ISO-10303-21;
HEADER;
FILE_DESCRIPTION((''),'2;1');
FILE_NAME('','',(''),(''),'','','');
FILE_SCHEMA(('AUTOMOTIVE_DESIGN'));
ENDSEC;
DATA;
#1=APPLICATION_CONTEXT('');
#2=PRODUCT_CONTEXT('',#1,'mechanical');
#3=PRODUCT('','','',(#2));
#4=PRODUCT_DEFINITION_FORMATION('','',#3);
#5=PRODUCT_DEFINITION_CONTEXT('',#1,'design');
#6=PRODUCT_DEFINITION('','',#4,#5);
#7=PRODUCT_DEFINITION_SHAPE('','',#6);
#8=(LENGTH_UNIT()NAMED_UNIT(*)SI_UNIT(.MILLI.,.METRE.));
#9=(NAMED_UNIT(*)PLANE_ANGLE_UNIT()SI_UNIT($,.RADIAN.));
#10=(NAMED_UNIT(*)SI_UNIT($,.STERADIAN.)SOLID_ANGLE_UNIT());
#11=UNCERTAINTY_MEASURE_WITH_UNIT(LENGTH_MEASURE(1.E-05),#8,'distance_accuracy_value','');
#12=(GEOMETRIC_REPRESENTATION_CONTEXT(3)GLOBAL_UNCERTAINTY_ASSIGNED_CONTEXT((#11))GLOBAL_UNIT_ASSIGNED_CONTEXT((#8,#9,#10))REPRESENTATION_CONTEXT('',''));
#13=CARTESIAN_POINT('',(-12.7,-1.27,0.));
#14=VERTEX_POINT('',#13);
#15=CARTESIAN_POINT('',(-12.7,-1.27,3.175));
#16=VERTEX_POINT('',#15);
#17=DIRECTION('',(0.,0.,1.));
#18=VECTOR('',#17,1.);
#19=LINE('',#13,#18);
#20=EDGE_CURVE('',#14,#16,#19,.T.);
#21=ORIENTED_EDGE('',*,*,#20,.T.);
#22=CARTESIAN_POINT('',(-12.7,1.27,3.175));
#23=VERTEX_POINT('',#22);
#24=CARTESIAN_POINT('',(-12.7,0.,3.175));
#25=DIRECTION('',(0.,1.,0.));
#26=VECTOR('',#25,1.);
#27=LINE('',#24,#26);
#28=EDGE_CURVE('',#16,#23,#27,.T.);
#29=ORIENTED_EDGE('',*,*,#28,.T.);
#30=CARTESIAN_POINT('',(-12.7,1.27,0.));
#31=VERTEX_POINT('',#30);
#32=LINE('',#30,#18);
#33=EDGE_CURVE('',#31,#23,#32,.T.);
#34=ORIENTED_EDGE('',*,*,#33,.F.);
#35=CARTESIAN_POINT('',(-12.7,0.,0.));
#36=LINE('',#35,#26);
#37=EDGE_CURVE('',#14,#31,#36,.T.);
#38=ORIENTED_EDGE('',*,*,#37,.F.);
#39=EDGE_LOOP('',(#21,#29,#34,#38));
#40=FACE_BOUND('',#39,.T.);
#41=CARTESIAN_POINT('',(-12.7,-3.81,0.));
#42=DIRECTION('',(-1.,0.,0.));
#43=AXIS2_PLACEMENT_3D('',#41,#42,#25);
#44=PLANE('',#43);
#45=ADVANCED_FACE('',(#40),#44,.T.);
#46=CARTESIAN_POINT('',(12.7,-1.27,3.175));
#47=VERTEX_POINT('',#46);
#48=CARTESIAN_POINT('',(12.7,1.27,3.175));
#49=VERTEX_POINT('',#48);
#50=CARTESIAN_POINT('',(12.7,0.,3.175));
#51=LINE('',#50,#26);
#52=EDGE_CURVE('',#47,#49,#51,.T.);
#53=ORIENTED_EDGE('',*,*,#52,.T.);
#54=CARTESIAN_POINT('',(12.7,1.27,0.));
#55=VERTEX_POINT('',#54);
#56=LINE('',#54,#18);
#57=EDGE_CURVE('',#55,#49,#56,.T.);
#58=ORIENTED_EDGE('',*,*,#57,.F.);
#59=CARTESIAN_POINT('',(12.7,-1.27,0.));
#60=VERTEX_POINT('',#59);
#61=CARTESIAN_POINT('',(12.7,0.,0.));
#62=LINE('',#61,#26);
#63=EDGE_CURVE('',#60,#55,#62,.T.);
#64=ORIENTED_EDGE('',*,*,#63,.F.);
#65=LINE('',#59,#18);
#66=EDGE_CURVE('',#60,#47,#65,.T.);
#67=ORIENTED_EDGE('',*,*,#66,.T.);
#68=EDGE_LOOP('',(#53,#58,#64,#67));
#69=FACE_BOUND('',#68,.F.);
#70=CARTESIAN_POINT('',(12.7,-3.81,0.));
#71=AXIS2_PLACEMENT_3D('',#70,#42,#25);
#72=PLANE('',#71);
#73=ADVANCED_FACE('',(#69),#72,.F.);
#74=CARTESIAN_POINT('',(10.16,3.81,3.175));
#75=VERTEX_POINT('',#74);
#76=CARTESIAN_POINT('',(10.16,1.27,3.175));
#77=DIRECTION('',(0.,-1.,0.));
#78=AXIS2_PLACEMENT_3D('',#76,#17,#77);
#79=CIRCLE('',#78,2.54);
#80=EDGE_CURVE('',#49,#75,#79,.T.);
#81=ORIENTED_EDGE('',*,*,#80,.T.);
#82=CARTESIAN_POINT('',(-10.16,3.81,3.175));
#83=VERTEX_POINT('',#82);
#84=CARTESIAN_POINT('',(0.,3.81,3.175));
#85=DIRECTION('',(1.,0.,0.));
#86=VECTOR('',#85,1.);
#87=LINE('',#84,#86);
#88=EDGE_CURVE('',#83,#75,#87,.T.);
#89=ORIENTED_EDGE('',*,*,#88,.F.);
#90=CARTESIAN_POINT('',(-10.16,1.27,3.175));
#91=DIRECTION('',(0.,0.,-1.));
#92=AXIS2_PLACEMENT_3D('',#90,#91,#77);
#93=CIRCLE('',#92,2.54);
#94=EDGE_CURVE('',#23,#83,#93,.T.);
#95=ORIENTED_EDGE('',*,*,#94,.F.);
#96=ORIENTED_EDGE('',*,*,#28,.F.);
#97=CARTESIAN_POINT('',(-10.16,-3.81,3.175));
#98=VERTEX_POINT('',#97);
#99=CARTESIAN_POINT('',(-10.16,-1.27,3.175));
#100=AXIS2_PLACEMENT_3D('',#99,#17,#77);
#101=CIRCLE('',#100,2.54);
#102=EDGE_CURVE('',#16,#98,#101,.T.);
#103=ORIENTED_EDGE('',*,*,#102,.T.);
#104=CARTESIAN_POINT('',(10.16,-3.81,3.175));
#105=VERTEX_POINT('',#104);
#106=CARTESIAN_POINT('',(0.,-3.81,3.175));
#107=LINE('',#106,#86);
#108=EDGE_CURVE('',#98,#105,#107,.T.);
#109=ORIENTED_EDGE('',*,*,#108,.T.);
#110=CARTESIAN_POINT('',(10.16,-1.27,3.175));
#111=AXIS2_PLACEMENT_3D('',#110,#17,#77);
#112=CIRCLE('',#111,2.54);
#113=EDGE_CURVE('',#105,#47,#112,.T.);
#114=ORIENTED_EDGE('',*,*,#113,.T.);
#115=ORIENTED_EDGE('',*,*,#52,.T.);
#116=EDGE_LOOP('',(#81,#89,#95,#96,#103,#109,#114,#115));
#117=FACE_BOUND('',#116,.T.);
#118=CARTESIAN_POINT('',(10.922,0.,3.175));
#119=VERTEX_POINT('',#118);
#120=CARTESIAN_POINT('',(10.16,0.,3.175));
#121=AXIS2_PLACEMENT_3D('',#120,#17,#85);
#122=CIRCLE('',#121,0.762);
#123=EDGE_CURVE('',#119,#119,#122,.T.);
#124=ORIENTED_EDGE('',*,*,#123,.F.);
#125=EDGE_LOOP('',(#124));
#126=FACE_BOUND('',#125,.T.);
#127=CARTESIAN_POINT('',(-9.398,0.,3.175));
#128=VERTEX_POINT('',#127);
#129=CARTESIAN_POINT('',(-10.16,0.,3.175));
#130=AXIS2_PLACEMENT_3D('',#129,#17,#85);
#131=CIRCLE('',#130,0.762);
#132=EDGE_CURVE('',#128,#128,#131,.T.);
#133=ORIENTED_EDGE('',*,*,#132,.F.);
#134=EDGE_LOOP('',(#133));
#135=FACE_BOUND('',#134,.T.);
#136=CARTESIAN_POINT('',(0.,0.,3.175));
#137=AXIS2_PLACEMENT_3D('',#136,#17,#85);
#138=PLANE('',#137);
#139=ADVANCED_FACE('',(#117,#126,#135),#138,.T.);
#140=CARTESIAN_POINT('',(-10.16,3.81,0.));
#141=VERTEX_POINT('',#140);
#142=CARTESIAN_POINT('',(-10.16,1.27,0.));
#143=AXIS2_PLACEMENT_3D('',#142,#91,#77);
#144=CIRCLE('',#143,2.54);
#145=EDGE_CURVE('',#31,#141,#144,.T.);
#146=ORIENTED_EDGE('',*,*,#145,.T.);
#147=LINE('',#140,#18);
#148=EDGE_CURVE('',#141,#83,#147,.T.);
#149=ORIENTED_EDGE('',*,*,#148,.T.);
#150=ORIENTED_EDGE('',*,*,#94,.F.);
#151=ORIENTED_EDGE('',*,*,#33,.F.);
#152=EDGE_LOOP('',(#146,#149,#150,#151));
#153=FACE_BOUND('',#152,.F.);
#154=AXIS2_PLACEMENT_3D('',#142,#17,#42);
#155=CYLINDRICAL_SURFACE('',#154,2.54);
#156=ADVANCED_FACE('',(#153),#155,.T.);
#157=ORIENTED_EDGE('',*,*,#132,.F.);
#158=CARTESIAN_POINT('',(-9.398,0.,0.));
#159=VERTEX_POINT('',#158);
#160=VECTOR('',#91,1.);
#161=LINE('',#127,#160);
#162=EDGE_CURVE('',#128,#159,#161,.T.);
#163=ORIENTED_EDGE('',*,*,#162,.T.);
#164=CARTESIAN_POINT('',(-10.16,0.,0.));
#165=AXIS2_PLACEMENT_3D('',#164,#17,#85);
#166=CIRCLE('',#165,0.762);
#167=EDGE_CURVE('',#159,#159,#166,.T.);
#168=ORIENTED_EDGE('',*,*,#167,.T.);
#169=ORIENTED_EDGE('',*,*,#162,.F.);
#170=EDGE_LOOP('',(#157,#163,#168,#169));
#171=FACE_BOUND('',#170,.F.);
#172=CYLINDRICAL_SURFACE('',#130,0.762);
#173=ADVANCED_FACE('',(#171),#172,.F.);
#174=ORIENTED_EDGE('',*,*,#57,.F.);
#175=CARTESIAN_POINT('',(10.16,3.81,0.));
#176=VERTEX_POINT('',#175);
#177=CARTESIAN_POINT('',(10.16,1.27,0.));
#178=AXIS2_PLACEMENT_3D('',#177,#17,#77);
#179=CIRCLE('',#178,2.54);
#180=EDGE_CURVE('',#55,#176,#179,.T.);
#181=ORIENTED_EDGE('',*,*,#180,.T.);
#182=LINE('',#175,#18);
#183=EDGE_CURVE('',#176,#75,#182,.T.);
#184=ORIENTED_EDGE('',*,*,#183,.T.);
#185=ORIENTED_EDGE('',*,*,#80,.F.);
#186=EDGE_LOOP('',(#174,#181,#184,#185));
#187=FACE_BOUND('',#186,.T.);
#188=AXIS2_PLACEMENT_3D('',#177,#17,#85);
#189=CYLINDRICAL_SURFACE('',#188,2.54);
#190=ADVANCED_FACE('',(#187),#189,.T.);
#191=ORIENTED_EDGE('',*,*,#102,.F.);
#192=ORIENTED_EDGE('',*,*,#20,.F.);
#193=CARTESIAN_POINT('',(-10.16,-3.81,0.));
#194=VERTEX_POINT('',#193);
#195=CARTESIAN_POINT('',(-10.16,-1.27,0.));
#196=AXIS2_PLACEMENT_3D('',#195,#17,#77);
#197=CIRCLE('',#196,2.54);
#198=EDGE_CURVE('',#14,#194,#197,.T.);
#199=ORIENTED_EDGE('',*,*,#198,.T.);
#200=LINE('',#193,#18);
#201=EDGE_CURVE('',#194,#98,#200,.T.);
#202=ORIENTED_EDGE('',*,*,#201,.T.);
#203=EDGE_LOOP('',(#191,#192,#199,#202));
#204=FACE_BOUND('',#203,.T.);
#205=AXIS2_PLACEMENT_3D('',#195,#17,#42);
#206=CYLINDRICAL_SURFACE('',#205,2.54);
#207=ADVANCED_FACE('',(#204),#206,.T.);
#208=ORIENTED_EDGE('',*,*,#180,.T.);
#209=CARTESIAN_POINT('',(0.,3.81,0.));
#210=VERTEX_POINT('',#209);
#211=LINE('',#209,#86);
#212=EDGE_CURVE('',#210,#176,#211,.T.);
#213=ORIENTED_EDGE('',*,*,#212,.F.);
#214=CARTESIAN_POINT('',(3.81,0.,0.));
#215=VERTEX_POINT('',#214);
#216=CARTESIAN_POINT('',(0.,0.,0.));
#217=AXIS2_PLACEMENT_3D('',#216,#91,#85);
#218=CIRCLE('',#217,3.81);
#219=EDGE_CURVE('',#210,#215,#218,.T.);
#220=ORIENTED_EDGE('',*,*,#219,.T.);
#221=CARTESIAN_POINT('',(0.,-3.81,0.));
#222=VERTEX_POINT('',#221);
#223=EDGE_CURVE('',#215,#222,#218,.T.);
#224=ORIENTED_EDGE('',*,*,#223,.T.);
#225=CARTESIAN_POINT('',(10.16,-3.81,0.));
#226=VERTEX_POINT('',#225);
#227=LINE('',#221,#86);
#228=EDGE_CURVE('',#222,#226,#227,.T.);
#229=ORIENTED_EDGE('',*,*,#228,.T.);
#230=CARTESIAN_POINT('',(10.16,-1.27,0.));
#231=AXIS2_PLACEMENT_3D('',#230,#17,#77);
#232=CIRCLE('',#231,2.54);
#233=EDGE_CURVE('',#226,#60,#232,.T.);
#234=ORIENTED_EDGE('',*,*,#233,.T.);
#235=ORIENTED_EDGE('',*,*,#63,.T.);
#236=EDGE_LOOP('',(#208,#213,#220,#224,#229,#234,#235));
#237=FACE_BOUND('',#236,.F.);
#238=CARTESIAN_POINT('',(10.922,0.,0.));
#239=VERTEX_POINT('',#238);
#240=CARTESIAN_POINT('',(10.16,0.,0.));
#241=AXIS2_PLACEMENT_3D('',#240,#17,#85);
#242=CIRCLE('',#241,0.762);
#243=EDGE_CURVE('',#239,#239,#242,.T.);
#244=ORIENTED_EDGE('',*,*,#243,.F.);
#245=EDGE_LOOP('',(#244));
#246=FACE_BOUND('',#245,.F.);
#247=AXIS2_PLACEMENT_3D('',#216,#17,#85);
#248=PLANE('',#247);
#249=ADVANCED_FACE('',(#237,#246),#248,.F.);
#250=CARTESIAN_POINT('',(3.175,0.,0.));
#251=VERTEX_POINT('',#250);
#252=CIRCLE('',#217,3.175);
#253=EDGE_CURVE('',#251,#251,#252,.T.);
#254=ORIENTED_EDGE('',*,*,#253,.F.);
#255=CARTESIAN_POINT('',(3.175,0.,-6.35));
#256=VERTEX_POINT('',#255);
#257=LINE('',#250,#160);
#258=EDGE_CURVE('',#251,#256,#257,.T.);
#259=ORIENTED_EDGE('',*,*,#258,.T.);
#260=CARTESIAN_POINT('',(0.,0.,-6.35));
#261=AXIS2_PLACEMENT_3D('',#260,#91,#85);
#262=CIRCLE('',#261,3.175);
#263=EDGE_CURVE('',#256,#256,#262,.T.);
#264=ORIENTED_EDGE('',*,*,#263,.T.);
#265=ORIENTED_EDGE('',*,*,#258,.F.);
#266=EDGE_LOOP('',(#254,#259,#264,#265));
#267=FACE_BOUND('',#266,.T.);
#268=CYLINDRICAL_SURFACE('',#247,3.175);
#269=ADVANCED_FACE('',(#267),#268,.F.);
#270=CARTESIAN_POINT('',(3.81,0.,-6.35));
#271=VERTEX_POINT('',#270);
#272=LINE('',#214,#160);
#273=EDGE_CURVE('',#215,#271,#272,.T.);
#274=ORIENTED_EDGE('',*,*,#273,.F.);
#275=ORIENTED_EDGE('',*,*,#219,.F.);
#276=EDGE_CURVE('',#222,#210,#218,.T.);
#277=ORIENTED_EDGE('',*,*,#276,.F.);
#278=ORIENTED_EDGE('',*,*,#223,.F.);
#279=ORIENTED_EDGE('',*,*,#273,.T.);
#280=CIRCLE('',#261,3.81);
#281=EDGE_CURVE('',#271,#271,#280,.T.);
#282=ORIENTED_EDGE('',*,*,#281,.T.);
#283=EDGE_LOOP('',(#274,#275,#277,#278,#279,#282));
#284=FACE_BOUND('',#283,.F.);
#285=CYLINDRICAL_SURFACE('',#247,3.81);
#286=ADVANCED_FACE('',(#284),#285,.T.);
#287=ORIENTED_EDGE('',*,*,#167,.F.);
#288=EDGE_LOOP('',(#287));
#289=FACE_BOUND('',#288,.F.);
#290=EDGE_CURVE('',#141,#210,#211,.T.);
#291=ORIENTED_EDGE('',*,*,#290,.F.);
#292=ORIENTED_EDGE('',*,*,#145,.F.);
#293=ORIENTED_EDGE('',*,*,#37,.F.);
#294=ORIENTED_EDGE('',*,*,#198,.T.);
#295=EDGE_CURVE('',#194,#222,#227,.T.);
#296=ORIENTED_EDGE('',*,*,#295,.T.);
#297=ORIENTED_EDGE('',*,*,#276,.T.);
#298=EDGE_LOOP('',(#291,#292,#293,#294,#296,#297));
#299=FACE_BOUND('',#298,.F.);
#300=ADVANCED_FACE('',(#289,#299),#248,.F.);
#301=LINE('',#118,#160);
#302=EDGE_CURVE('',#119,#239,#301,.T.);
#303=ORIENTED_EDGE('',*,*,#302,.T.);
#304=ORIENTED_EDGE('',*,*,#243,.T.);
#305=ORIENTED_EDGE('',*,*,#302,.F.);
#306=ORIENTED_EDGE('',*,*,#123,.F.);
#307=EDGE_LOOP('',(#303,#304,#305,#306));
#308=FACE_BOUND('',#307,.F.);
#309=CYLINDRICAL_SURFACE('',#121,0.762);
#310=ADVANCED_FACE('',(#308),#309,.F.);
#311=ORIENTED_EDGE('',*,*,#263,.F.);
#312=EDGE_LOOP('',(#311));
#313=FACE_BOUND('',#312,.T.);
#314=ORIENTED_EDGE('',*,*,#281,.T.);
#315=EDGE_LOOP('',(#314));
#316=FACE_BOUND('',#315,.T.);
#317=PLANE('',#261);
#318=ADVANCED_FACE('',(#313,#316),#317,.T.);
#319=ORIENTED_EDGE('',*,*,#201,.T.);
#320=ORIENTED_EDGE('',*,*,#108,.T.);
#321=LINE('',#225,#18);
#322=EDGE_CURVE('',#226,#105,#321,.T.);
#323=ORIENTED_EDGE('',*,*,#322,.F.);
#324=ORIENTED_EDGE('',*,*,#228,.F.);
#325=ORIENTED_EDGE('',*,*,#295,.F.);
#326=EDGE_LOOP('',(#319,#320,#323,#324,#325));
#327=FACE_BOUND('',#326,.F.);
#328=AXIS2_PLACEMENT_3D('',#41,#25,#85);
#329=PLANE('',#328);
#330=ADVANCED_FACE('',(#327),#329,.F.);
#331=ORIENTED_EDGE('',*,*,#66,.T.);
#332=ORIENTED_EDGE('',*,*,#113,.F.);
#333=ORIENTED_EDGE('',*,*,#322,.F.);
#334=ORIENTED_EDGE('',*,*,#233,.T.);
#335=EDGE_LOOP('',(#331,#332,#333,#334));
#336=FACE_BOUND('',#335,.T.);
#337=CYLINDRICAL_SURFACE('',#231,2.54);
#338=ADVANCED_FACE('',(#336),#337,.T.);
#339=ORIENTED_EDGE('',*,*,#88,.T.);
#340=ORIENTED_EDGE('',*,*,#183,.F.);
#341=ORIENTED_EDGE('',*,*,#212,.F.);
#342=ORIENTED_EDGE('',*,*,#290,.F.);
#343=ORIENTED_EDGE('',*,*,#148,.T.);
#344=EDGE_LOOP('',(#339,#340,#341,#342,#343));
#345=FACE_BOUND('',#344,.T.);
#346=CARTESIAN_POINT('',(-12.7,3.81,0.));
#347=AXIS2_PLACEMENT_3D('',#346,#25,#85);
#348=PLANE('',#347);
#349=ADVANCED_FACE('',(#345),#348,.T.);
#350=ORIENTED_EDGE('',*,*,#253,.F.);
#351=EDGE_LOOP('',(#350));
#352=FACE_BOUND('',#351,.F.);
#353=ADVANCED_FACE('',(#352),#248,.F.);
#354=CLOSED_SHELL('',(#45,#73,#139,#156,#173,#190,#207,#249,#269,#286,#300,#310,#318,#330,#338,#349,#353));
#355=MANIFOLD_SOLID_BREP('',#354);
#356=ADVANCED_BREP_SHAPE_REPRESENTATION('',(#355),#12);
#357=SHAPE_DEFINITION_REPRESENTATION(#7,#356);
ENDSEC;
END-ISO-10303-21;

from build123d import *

# Parameters (mm, degrees)
F0_W     = 25.4
F0_H     = 7.62
F1_DEPTH = 3.175
F2_R     = 2.54
F3_R     = 3.81
F3_R_2   = 3.175
F4_DEPTH = 6.35
F5_R     = 0.762
F6_DEPTH = 9.526


with BuildPart() as f1:
    # F0 (on Top) → F1 (new body)
    with BuildSketch(Plane.XY):
        Rectangle(F0_W, F0_H)
    extrude(amount=F1_DEPTH)

    # F2
    f2_edges = [f1.edges().sort_by_distance(p)[0] for p in [
        (-12.7, -3.81, 1.5875),
        (12.7, -3.81, 1.5875),
        (12.7, 3.81, 1.5875),
        (-12.7, 3.81, 1.5875),
    ]]
    fillet(f2_edges, radius=F2_R)

    # F3 (on face) → F4 (join)
    with BuildSketch(Plane(origin=(0, 0, 0), x_dir=(1, 0, 0), z_dir=(0, 0, -1))):
        Circle(F3_R)
        Circle(F3_R_2, mode=Mode.SUBTRACT)
    extrude(amount=F4_DEPTH)

    # F5 (on face) → F6 (cut, through all)
    with BuildSketch(Plane.XY.offset(3.175)):
        with Locations((-10.16, 0)):
            Circle(F5_R)
        with Locations((10.16, 0)):
            Circle(F5_R)
    extrude(amount=-F6_DEPTH, mode=Mode.SUBTRACT)


solid = f1.part
